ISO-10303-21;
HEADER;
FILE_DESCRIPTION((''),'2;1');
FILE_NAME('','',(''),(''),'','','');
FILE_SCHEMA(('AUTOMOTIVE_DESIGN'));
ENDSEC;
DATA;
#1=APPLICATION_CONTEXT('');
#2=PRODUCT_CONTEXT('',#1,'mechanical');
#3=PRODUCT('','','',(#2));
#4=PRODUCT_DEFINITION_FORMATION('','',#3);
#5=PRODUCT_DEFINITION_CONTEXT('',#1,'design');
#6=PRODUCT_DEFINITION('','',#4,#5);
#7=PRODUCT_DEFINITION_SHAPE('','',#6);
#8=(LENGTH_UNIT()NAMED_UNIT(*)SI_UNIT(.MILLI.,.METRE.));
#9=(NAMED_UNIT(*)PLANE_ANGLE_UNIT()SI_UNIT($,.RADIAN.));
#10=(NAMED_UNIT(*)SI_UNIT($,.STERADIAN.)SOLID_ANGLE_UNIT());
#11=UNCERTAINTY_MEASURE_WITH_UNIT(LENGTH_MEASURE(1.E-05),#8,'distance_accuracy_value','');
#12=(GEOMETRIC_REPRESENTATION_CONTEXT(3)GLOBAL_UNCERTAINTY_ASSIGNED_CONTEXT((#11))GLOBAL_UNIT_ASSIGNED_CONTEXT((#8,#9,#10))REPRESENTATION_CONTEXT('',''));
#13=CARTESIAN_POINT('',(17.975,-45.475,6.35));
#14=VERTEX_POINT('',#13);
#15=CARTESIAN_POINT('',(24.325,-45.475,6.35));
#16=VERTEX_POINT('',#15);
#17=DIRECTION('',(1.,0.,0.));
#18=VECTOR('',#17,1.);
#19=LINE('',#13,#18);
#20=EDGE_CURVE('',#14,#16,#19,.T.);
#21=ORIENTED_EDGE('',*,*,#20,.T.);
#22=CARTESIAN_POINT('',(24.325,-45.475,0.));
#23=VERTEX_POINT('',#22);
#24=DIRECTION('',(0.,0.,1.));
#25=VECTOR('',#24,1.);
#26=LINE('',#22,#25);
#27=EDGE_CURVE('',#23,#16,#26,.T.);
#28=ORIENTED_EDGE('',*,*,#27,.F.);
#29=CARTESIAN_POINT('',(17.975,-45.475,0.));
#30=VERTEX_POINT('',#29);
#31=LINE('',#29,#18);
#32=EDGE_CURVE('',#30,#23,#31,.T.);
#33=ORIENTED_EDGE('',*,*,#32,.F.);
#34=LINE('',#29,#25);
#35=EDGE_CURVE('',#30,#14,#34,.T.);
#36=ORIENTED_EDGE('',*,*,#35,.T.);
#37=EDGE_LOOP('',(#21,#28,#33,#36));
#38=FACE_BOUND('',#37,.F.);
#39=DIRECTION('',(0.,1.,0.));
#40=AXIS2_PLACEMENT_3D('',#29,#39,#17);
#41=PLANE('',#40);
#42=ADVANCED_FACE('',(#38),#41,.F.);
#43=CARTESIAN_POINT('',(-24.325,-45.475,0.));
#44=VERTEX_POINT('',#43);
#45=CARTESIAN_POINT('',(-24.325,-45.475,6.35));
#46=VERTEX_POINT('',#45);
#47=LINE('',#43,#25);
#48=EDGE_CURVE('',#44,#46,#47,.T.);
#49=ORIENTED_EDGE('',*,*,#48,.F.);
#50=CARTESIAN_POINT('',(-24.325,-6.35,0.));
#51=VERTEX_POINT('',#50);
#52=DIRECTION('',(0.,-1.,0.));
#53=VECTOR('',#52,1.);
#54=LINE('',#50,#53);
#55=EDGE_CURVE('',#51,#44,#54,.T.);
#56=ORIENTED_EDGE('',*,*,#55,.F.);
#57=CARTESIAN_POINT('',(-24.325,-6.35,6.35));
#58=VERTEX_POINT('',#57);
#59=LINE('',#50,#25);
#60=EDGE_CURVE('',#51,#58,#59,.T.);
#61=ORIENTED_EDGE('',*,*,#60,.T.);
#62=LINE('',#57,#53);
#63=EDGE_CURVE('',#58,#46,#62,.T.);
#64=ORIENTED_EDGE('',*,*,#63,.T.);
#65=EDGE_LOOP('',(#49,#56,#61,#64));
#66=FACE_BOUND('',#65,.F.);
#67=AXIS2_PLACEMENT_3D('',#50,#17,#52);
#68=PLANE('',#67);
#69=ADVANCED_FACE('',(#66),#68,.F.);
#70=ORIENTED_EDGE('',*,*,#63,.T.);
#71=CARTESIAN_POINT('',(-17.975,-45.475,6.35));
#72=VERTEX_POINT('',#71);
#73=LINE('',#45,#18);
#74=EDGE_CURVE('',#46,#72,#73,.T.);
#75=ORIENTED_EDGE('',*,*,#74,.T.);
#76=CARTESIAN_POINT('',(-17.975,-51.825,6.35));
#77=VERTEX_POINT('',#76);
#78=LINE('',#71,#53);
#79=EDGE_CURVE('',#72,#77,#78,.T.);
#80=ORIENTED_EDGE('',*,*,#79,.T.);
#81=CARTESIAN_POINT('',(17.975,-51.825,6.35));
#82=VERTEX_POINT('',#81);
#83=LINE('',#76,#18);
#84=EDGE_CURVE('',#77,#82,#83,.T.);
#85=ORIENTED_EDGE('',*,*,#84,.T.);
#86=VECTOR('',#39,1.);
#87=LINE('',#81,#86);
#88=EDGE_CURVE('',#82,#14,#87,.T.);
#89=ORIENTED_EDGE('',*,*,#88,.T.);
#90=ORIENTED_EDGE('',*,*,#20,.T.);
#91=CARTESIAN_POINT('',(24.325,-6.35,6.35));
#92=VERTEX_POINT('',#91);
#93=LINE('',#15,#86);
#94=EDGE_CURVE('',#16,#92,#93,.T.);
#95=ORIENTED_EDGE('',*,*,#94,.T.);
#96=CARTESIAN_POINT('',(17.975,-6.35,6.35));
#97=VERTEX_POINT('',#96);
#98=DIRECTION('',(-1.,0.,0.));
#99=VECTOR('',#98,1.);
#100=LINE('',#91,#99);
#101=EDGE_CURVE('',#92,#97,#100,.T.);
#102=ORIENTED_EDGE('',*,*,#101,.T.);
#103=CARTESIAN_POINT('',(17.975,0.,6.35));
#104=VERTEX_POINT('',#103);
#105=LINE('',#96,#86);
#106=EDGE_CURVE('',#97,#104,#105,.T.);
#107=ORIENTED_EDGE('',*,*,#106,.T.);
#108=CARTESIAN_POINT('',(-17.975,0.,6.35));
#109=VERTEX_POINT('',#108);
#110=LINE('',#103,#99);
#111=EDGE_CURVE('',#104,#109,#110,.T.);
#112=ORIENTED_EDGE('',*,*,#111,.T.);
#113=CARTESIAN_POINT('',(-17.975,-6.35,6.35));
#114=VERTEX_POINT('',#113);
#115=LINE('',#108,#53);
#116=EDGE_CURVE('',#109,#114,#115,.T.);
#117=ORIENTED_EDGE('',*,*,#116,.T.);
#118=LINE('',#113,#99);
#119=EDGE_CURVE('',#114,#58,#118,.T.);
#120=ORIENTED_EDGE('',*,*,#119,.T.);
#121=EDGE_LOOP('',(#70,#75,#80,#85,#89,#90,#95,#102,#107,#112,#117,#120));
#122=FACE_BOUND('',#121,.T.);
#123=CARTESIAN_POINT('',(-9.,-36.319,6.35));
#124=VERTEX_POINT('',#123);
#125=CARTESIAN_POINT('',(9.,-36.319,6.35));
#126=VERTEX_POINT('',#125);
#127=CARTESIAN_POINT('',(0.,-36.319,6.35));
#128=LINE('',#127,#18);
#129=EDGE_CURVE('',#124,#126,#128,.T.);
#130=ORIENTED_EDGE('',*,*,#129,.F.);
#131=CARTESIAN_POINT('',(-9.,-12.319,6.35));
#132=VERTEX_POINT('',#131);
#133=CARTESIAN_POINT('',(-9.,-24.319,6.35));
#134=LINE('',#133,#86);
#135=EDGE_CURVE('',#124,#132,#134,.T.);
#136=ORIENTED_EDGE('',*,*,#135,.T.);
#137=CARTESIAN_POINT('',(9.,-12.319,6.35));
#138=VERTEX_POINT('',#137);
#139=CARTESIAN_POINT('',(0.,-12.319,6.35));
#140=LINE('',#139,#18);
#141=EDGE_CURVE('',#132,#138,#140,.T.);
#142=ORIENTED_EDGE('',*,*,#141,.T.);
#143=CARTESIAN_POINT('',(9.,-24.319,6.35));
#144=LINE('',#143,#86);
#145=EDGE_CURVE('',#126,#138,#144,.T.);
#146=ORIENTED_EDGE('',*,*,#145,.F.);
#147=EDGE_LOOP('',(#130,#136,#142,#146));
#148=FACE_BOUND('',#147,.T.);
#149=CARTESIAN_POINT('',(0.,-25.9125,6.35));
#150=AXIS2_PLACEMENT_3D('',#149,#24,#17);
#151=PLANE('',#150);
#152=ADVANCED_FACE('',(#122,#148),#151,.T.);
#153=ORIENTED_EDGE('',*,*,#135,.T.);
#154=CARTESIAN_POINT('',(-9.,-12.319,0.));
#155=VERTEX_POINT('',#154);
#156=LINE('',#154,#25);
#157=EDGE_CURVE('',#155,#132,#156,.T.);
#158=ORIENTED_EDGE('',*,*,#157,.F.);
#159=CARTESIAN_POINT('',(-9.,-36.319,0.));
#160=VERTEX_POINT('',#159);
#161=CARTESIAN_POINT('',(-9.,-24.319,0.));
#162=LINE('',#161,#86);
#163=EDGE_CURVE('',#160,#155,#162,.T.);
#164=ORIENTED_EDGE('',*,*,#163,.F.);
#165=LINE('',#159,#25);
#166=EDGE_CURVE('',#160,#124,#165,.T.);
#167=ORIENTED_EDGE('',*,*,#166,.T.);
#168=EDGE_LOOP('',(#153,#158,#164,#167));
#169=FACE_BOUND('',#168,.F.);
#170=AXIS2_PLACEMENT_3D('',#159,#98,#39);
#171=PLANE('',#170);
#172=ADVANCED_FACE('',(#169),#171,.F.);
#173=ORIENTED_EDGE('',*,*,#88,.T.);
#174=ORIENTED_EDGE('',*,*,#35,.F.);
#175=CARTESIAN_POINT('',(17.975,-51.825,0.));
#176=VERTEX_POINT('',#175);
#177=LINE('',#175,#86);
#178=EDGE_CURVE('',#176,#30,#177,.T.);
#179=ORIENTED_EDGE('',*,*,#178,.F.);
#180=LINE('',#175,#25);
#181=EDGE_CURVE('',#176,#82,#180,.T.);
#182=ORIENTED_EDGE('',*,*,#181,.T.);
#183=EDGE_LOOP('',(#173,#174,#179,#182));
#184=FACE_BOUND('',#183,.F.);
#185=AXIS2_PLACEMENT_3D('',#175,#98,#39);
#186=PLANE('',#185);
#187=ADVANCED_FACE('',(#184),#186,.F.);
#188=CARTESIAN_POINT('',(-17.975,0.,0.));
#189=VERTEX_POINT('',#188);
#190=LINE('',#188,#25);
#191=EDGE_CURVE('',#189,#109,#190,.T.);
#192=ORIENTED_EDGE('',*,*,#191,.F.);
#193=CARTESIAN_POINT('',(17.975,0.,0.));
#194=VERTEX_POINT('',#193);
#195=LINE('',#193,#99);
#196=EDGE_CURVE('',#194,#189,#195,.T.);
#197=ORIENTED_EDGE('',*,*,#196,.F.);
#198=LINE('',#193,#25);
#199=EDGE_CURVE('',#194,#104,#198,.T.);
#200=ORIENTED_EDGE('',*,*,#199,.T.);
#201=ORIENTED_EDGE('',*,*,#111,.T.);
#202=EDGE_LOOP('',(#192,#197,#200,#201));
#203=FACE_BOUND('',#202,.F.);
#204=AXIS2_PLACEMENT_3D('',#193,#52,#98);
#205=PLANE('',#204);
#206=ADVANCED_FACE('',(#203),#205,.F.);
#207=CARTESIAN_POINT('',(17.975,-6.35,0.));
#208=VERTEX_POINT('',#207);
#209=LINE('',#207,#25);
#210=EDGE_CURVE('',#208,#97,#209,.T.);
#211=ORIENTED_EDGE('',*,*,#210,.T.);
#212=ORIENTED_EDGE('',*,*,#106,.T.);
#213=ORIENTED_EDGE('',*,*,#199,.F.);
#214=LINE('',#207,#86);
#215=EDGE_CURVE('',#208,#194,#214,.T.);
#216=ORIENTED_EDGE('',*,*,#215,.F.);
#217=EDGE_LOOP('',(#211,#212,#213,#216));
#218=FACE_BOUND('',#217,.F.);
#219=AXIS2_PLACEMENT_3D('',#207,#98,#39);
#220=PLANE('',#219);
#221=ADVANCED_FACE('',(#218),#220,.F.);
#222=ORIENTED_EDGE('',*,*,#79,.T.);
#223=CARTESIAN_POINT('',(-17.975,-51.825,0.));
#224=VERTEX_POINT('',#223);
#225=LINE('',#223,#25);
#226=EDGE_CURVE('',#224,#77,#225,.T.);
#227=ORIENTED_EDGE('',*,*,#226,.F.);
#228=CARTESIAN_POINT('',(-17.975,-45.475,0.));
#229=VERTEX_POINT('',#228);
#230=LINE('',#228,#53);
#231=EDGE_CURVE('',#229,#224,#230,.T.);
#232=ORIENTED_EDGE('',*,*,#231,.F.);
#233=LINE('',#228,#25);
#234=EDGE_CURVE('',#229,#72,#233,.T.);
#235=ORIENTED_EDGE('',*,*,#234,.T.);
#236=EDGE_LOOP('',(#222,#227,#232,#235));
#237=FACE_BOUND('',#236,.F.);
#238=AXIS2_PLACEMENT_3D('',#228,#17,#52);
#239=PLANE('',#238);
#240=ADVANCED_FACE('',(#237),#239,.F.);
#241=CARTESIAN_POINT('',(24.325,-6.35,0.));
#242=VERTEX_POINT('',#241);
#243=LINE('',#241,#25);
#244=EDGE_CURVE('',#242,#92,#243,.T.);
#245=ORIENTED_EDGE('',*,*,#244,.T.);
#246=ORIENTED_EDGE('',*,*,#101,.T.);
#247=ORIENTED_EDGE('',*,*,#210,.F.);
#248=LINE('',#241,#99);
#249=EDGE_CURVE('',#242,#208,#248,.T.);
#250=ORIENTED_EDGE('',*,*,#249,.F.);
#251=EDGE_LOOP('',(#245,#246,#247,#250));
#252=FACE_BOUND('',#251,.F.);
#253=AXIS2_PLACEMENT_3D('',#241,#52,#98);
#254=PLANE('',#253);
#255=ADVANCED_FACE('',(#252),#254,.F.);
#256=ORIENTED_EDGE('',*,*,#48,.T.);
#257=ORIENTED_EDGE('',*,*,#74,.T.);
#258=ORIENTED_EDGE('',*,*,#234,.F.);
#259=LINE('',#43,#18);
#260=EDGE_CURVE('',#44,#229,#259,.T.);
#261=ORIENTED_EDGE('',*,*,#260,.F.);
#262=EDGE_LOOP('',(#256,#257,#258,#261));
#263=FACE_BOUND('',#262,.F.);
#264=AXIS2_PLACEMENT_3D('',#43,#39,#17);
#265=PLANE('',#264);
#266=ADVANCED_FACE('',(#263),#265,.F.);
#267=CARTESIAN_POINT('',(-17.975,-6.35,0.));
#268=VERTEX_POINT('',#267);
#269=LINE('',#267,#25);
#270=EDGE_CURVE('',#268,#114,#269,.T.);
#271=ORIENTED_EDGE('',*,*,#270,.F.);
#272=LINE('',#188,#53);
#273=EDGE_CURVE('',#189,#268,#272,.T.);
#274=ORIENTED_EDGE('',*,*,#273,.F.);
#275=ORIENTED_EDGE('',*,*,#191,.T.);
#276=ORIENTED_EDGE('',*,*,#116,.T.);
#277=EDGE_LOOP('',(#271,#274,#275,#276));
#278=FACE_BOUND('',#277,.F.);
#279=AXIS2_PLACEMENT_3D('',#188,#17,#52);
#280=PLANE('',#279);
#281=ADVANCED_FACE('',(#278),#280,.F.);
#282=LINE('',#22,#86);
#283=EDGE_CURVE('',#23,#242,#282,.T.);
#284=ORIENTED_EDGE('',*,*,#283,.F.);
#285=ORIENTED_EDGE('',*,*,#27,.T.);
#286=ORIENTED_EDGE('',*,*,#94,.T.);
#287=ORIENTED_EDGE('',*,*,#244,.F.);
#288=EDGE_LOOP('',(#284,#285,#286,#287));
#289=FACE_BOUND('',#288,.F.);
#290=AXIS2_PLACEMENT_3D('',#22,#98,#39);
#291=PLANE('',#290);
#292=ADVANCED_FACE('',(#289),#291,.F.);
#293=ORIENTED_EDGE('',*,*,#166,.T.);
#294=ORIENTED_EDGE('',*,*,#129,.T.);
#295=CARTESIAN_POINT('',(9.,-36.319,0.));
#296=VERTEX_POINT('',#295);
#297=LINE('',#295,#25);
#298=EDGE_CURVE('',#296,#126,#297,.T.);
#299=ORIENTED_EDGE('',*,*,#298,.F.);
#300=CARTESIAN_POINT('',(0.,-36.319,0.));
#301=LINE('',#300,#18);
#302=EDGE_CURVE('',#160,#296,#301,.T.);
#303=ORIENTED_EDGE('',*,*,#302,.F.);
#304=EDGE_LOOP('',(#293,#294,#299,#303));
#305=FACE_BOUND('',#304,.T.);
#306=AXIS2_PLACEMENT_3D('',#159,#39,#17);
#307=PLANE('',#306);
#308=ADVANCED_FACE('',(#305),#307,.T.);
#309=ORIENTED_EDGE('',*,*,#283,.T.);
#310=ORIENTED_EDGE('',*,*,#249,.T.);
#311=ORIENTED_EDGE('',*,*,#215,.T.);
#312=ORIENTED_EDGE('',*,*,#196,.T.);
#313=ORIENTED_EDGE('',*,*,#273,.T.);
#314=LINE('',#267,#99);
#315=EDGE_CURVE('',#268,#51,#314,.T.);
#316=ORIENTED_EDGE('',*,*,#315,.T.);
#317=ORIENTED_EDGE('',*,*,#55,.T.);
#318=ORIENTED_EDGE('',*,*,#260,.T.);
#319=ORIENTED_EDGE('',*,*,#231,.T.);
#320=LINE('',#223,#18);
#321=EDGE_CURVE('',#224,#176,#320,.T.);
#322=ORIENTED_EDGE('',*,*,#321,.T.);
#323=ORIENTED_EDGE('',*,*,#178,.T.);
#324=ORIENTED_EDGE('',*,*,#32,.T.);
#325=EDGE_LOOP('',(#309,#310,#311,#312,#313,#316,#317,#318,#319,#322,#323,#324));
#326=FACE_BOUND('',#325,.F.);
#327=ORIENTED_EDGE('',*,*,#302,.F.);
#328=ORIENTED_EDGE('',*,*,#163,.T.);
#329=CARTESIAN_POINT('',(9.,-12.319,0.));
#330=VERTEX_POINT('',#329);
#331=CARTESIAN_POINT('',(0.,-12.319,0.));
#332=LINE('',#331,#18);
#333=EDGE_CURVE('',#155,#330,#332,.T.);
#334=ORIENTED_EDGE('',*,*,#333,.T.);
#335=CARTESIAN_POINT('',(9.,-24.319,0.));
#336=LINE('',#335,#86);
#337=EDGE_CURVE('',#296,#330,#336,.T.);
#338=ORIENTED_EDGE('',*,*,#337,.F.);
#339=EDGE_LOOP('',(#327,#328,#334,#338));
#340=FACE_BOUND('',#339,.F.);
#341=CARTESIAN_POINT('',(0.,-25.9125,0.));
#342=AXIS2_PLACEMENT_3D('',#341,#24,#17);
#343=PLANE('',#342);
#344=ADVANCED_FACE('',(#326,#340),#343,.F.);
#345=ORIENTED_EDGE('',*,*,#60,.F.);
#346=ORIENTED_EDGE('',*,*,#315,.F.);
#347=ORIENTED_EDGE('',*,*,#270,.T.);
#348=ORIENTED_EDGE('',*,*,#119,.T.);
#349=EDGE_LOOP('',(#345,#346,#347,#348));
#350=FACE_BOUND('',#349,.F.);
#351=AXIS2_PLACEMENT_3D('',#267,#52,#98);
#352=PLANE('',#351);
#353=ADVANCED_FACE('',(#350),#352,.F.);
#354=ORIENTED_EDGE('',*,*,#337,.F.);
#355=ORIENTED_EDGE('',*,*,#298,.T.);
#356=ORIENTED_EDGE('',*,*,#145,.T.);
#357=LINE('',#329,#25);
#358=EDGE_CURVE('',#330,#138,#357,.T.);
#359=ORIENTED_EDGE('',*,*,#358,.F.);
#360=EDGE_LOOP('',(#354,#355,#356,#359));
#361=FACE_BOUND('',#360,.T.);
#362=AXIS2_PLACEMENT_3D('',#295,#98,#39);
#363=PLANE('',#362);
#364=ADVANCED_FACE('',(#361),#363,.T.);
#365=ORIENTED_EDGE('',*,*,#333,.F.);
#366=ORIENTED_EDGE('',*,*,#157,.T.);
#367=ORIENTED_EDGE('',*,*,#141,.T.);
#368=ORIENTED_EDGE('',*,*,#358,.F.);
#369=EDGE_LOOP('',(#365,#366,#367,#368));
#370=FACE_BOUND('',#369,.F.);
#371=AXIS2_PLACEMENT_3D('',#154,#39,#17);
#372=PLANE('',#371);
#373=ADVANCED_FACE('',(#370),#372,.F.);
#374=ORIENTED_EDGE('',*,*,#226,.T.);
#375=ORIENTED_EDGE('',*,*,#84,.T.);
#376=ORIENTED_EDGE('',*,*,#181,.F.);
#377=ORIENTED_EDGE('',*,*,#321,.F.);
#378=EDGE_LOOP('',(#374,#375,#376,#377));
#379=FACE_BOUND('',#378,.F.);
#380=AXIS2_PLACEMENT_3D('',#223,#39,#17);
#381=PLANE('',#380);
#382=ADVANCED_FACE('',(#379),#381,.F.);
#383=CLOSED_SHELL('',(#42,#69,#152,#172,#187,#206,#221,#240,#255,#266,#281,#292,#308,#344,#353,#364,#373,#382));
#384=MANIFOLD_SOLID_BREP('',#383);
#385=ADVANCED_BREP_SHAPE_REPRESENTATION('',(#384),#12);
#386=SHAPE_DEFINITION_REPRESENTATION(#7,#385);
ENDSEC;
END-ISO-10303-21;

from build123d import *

# Parameters (mm, degrees)
F0_W     = 18
F0_H     = 24
F1_DEPTH = 6.35


with BuildPart() as f1:
    # F0 (on Top) → F1 (new body)
    with BuildSketch(Plane.XY):
        Polygon((17.975, 0), (-17.975, 0), (-17.975, -6.35), (-24.325, -6.35), (-24.325, -45.475), (-17.975, -45.475), (-17.975, -51.825), (17.975, -51.825), (17.975, -45.475), (24.325, -45.475), (24.325, -6.35), (17.975, -6.35), align=None)
        with Locations((0, -24.319)):
            Rectangle(F0_W, F0_H, mode=Mode.SUBTRACT)
    extrude(amount=F1_DEPTH)


solid = f1.part
